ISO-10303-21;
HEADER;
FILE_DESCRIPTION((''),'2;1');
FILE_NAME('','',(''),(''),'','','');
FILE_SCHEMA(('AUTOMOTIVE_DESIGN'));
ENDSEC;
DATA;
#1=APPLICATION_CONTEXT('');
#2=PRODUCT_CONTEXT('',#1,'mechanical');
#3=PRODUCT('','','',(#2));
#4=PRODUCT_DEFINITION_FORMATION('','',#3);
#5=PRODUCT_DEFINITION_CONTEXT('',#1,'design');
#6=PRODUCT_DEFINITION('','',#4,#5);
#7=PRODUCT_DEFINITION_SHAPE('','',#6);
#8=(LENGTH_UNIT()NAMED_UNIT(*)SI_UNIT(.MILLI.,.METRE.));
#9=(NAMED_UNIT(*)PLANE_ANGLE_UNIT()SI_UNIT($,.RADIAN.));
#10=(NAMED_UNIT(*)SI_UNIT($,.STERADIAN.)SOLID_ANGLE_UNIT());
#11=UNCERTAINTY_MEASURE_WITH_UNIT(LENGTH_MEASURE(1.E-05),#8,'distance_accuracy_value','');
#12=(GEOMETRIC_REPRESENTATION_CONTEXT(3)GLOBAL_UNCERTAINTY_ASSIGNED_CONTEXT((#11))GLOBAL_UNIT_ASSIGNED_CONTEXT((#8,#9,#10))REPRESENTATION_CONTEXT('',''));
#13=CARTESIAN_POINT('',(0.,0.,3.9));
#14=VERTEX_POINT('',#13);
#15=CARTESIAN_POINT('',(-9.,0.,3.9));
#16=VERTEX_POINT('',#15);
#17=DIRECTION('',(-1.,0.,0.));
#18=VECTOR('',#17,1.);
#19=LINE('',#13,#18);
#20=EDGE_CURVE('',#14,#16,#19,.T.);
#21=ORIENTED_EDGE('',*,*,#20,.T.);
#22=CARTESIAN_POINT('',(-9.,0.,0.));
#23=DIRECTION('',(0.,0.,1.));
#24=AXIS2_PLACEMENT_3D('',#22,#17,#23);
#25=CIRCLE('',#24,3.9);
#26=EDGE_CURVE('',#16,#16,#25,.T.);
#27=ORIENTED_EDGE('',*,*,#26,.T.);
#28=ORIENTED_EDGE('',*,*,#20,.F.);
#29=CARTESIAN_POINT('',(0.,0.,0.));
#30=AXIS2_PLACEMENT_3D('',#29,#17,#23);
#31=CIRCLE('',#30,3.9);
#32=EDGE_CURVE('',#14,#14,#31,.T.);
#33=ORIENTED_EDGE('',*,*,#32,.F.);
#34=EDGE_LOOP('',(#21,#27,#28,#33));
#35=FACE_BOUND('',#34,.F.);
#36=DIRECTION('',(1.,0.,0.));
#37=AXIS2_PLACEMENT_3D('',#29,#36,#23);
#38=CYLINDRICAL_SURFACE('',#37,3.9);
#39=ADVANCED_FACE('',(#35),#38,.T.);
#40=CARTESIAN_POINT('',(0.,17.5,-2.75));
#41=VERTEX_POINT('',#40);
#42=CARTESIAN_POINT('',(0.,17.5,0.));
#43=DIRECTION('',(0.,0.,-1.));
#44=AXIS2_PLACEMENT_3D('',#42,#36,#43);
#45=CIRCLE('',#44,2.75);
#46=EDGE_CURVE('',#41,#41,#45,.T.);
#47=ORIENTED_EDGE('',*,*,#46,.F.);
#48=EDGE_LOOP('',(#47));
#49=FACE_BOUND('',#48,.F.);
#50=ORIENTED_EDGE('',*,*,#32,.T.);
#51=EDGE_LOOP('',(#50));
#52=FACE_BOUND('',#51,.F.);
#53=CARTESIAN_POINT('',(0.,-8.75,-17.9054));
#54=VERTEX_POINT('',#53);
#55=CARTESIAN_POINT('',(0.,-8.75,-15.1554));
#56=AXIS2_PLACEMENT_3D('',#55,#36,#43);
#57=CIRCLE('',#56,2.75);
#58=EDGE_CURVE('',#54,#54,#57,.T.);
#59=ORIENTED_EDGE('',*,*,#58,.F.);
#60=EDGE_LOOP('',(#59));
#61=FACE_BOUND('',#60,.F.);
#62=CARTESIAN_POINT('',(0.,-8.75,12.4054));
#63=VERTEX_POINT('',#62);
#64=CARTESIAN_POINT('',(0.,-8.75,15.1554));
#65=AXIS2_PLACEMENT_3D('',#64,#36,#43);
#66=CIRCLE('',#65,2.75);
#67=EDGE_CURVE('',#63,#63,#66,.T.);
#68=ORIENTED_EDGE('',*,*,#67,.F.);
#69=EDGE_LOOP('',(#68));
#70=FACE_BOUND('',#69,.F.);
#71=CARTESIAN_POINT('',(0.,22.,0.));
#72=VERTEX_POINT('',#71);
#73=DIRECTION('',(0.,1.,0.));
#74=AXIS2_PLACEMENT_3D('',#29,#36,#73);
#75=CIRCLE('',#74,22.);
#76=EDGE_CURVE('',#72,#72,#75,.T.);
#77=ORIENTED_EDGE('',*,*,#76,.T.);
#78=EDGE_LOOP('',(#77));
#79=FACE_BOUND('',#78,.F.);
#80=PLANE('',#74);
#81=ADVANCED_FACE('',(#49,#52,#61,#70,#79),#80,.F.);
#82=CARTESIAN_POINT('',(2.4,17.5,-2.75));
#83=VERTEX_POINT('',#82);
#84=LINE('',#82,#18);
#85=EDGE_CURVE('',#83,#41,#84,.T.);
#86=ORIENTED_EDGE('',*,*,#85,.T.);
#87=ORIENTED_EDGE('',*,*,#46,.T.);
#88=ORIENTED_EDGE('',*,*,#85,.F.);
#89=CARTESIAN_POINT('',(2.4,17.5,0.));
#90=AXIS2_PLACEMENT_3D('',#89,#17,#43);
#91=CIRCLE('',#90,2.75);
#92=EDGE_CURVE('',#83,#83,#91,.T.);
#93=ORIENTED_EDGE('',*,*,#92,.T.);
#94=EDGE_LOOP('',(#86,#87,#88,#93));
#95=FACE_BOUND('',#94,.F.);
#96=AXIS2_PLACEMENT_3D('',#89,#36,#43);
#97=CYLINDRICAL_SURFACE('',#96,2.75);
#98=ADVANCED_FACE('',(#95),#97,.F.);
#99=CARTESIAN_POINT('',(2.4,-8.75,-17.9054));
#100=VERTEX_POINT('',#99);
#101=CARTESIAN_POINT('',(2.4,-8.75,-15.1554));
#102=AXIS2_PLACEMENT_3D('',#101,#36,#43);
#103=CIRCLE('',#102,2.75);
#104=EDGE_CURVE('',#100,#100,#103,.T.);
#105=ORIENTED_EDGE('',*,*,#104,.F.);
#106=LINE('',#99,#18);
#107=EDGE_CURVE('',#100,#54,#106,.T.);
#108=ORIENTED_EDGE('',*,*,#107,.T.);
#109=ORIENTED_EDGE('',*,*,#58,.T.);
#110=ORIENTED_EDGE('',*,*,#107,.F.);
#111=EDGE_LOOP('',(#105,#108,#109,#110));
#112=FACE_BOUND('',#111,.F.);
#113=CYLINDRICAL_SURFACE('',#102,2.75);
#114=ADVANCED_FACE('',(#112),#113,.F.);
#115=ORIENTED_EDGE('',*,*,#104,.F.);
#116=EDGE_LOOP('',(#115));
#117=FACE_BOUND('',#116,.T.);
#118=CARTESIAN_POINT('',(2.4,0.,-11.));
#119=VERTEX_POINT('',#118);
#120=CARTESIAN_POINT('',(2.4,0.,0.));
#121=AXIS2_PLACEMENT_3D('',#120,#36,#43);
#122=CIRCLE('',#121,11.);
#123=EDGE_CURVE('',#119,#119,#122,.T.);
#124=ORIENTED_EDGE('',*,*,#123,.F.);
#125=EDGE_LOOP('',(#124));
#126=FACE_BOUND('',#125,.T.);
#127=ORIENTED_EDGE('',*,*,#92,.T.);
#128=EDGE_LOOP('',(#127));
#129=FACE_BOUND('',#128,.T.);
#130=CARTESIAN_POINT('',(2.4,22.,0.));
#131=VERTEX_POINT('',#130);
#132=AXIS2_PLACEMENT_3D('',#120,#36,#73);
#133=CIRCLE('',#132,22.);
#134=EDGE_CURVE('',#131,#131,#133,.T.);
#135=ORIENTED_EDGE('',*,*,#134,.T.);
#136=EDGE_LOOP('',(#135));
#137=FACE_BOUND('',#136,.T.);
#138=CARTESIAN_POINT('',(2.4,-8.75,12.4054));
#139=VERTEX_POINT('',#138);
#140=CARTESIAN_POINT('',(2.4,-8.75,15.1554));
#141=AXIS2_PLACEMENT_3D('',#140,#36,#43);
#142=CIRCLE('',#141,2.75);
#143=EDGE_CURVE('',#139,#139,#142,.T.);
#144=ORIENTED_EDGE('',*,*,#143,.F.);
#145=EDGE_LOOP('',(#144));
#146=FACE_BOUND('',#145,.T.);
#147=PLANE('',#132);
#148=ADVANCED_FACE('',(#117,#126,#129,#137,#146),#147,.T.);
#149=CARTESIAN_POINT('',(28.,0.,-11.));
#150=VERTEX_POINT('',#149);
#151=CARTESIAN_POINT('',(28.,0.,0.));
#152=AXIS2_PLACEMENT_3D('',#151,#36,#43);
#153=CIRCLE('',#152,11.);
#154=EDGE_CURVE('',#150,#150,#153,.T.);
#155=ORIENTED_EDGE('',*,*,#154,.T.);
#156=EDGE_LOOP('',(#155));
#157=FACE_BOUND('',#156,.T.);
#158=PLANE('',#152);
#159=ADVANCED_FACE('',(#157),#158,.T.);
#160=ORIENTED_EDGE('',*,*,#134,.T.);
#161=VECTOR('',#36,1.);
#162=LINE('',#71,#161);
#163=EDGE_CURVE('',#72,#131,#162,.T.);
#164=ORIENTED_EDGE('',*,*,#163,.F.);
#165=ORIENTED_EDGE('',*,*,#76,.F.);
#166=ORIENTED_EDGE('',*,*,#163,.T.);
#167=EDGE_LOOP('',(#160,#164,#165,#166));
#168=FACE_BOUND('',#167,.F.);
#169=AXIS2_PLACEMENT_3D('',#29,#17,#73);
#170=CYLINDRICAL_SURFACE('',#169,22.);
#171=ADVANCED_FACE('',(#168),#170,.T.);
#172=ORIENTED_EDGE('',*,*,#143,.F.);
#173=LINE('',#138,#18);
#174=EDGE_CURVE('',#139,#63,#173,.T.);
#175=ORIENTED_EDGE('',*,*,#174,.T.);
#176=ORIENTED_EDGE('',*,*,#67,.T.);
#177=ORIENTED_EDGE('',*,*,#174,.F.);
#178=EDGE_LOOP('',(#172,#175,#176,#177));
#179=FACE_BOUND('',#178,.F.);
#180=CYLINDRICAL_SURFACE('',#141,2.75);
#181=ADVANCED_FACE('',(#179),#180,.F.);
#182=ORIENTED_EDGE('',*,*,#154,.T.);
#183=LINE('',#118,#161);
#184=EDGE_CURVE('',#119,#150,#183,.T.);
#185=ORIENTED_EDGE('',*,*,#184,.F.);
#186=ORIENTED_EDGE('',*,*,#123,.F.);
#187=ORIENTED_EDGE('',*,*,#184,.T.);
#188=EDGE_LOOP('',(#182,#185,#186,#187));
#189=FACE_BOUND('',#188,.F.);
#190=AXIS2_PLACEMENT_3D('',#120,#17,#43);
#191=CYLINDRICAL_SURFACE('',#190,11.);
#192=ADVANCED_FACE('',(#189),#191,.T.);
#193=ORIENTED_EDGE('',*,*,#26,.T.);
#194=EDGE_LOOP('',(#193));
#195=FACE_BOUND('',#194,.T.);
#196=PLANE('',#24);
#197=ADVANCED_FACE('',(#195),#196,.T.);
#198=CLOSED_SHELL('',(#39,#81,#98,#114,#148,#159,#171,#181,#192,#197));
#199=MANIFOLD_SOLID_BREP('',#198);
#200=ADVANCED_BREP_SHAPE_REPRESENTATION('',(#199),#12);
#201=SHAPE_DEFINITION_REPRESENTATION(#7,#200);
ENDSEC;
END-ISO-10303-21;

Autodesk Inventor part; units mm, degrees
ref_plane "YZ Plane" through (0, 0, 0) normal (1, 0, 0) x (0, 1, 0)
ref_plane "XZ Plane" through (0, 0, 0) normal (0, 1, 0) x (-1, 0, 0)
ref_plane "XY Plane" through (0, 0, 0) normal (0, 0, 1) x (1, 0, 0)
sketch "Sketch1" plane through (0, 0, 0) normal (1, 0, 0) x (0, 1, 0)
  circle A0 centre (0, 0) radius 22
  dimension "d0" = 44
extrude "Extrusion1" add sketch "Sketch1" along normal blind 2.4
sketch "Sketch2" plane through (2.4, 0, 0) normal (1, 0, 0) x (0, 0, -1)
  line L0 (0, 0) -> (0, 17.5)
  circle A0 centre (0, 17.5) radius 2.75
  circle A1 centre (-15.1554, -8.75) radius 2.75
  circle A2 centre (15.1554, -8.75) radius 2.75
  dimension "d3" = 17.5
  dimension "d4" = 5.5
  dimension "d7" = 360
extrude "Extrusion2" cut sketch "Sketch2" against normal blind 2.4
sketch "Sketch3" plane through (2.4, 0, 0) normal (1, 0, 0) x (0, 0, -1)
  circle A0 centre (0, 0) radius 11
  dimension "d11" = 22
extrude "Extrusion3" add sketch "Sketch3" along normal blind 25.6
sketch "Sketch4" plane through (0, 0, 0) normal (-1, 0, 0) x (0, 0, 1)
  circle A0 centre (0, 0) radius 11 projected
  circle A1 centre (0, 0) radius 3.9
  dimension "d14" = 7.8
extrude "Extrusion4" add sketch "Sketch4" along normal blind 9 contours A1
properties part number "SlipRing-022A-12"
